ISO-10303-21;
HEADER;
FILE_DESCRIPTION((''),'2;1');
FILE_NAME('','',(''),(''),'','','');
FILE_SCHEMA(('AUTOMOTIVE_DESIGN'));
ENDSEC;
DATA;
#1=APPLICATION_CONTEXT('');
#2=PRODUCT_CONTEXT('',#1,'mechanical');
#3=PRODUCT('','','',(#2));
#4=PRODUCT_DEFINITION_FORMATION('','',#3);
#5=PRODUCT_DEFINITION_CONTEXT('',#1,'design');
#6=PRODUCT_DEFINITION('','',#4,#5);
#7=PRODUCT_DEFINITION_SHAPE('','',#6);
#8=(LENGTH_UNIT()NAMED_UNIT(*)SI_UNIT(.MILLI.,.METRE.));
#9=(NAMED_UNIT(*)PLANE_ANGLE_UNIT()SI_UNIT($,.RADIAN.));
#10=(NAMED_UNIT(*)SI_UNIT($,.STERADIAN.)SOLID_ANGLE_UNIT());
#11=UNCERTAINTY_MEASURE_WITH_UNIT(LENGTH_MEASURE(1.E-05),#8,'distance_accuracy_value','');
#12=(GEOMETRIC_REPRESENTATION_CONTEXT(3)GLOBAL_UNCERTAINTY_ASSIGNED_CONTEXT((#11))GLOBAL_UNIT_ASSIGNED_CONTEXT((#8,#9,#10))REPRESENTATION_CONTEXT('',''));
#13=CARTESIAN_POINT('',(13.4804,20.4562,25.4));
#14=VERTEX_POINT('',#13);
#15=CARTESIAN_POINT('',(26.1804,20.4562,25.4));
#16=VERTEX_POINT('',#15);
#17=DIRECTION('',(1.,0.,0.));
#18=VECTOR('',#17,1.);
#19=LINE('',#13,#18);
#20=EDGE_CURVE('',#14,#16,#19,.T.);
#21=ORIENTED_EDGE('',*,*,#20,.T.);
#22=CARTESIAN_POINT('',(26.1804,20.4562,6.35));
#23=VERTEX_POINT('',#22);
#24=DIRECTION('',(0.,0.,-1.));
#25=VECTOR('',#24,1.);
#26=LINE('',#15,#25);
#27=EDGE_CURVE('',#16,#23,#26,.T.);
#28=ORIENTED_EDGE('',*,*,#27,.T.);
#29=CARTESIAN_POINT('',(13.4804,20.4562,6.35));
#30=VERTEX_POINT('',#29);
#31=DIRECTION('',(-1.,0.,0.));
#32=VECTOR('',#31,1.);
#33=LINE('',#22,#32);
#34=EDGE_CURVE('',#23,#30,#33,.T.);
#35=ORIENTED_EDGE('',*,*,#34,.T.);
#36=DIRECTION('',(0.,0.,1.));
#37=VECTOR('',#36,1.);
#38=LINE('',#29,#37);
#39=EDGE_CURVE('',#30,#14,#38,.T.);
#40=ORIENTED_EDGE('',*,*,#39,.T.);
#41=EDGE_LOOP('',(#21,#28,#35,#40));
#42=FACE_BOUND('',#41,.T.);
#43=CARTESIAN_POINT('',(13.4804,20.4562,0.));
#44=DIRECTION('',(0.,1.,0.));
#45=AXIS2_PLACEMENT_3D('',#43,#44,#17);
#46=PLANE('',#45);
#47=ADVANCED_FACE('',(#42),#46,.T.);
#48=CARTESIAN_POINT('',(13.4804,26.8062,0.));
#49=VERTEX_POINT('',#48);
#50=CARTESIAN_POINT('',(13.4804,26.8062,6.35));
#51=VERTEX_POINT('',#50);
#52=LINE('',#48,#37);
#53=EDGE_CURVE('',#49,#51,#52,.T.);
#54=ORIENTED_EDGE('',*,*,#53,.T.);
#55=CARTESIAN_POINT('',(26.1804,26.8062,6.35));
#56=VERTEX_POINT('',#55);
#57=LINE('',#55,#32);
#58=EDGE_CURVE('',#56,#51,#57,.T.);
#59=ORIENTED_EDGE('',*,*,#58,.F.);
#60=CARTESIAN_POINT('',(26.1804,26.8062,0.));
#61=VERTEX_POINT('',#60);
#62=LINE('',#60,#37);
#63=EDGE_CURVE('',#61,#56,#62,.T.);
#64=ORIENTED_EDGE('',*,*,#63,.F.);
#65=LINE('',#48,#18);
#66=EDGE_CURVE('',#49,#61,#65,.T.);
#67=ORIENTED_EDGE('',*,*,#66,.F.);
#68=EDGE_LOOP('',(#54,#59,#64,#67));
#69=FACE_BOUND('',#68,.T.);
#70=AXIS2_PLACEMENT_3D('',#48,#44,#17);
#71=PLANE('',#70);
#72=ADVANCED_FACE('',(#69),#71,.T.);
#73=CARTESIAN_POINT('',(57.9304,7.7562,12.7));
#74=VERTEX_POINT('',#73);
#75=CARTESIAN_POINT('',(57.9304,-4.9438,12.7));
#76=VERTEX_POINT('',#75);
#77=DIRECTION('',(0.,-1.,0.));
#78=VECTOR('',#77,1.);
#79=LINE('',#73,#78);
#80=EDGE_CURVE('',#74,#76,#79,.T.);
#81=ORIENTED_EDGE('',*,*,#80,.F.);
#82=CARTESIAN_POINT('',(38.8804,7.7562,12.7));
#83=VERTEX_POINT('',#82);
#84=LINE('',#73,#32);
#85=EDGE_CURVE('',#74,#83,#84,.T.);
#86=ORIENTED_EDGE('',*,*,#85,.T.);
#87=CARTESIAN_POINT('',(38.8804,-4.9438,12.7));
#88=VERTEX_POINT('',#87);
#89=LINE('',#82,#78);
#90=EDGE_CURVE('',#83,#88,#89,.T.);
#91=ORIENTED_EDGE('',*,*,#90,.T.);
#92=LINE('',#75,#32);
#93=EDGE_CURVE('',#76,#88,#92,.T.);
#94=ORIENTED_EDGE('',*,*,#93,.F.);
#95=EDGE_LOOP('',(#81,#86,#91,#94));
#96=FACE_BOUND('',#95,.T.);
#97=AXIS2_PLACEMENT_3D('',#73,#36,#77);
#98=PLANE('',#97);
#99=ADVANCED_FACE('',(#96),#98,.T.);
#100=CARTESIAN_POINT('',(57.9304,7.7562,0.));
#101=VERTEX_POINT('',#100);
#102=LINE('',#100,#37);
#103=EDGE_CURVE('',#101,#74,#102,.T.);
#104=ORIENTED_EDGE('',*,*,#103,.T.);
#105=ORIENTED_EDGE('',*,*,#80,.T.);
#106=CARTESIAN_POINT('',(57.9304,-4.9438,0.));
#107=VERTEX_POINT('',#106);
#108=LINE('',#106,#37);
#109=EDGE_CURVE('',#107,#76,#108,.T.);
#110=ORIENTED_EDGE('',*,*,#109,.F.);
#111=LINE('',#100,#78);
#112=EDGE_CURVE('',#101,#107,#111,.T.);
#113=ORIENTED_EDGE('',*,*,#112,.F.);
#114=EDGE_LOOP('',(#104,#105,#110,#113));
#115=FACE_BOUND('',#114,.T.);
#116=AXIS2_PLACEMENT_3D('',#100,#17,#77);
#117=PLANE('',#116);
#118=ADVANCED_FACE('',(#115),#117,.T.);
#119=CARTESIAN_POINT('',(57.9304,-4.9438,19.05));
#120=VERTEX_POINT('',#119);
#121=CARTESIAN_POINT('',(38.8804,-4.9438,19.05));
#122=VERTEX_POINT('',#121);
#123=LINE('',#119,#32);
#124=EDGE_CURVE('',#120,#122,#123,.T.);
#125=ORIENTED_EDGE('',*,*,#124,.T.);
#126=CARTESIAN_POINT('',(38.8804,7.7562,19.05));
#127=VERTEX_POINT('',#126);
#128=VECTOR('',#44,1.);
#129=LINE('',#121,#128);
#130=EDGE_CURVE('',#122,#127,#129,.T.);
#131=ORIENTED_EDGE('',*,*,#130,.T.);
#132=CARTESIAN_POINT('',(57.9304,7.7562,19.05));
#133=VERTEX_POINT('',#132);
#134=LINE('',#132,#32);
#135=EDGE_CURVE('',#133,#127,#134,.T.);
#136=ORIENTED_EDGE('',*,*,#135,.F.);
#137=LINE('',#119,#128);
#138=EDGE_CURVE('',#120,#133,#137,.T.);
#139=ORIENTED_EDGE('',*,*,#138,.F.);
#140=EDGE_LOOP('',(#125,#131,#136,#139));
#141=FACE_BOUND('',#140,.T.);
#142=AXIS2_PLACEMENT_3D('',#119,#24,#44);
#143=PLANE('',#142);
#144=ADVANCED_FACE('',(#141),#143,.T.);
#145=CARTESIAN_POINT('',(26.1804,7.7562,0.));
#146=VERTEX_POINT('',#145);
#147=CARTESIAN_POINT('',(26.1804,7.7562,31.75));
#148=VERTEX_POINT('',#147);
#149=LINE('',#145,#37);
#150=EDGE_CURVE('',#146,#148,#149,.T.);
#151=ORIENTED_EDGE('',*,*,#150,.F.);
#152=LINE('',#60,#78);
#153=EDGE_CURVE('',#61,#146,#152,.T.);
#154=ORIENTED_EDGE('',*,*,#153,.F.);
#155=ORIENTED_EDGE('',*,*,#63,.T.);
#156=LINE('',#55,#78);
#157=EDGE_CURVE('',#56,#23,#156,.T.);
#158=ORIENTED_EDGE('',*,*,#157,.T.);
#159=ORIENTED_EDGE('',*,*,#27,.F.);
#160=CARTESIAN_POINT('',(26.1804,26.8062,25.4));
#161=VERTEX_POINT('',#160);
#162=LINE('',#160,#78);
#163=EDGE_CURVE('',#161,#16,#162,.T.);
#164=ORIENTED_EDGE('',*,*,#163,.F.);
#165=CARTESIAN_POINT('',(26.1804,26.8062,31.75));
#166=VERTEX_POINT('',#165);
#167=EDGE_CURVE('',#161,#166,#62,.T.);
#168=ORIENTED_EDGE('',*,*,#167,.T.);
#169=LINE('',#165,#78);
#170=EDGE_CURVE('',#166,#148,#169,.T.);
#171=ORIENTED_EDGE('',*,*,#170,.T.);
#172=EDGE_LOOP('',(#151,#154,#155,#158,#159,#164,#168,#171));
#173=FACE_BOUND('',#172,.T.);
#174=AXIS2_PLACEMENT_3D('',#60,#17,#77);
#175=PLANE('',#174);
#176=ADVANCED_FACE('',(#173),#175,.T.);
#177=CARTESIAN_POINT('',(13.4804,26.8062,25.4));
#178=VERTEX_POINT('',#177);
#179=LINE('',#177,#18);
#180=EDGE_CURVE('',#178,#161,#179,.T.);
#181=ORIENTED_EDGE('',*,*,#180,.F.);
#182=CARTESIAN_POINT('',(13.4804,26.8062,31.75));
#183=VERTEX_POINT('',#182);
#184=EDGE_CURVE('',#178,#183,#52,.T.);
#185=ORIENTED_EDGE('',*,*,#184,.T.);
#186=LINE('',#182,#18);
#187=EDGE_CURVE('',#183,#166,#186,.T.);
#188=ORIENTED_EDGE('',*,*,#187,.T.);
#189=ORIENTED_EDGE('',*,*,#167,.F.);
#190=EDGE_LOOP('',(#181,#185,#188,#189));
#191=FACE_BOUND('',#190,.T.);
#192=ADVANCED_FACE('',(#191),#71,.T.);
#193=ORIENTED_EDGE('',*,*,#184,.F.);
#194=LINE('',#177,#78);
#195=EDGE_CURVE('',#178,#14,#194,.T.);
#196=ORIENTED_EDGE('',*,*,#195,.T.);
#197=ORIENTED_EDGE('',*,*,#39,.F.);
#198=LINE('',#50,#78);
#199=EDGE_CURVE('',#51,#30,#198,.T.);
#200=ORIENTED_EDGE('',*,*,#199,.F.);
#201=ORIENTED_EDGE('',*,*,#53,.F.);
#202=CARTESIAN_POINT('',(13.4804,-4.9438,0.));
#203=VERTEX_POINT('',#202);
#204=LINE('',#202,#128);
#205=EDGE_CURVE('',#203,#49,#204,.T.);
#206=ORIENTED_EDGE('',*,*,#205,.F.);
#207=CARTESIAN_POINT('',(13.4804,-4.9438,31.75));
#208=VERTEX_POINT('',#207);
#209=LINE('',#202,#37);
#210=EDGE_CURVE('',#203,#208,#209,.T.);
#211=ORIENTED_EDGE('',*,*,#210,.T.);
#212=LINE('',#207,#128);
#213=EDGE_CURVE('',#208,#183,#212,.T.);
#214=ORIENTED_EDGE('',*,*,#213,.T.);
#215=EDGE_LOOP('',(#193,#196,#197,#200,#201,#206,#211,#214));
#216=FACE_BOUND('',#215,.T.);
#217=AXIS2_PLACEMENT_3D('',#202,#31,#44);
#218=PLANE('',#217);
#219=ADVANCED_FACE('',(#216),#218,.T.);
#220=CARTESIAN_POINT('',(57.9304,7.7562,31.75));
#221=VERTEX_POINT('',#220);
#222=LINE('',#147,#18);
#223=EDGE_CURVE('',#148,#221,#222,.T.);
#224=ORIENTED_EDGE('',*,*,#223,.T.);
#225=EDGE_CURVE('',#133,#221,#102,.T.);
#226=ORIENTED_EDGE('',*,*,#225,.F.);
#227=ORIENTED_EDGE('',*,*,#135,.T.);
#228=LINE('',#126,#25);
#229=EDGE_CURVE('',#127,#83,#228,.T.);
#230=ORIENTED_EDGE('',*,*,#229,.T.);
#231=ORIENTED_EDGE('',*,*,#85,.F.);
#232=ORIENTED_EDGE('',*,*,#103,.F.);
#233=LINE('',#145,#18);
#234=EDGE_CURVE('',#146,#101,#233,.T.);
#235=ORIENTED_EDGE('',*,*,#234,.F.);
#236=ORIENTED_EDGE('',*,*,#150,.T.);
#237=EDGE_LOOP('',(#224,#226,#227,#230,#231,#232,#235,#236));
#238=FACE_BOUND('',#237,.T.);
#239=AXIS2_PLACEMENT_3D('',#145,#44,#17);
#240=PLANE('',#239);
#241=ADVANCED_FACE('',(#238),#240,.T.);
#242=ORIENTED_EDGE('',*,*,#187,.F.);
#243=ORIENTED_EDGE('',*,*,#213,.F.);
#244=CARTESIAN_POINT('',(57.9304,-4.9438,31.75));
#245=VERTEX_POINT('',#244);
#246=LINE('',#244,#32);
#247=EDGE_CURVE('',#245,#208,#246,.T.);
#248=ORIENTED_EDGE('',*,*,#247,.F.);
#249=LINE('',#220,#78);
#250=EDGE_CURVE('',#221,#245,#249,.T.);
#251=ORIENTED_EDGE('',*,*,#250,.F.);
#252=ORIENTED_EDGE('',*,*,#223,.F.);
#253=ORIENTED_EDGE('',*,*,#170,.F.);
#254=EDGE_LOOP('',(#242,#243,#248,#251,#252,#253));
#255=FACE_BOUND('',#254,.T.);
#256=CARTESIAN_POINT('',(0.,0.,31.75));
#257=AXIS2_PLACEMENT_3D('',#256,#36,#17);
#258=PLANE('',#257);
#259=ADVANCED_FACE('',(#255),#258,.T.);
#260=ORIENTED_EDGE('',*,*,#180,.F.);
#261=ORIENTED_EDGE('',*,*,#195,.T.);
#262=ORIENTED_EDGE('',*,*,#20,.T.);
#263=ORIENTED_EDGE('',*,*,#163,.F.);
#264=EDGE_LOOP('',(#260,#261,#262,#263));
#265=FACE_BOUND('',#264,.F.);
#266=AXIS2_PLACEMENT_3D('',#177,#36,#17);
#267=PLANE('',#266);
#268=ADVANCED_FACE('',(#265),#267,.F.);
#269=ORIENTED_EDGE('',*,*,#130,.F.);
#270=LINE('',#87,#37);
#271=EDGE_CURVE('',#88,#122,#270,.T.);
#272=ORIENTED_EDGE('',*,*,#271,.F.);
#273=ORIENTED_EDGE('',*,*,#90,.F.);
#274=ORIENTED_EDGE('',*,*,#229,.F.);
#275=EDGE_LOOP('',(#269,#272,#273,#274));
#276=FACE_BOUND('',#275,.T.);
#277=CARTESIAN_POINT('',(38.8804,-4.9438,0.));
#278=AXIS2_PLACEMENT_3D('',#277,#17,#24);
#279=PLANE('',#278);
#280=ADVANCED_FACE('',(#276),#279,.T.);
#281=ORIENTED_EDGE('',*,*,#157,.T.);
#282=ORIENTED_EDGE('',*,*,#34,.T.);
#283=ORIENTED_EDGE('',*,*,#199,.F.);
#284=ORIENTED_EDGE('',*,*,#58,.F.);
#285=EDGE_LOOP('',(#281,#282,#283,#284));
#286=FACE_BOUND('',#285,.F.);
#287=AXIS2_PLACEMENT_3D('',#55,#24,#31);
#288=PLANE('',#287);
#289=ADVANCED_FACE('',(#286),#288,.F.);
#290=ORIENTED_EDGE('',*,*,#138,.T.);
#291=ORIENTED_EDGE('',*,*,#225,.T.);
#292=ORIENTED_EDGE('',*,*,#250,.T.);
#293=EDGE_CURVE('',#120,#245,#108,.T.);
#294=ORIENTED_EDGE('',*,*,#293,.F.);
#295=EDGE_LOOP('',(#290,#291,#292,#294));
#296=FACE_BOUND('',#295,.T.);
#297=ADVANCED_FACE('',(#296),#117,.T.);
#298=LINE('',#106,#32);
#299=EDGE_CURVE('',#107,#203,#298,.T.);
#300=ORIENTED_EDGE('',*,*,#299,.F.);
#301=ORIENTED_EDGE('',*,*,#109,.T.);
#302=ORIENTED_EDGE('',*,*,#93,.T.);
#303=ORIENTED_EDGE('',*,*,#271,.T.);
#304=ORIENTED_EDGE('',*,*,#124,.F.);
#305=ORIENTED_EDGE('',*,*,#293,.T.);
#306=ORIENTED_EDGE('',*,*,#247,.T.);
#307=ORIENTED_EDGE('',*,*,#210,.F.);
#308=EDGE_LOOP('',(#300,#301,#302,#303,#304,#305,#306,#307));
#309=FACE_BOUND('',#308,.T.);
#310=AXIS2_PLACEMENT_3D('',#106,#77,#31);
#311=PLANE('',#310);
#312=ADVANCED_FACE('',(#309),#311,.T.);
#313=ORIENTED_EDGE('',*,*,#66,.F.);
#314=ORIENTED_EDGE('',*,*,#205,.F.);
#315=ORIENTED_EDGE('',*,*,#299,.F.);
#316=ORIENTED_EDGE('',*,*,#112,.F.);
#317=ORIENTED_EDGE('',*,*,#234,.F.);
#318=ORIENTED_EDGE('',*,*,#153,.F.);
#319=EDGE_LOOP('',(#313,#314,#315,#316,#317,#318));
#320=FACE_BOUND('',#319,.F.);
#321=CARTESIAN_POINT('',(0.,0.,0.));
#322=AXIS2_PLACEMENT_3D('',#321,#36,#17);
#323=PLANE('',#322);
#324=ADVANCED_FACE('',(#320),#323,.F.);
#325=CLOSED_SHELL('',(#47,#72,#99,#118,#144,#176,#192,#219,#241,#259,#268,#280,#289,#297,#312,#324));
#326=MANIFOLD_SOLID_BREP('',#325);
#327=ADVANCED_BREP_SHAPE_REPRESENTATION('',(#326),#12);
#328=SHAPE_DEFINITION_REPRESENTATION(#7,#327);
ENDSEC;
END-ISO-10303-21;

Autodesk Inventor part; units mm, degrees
ref_plane "YZ Plane" through (0, 0, 0) normal (1, 0, 0) x (0, 1, 0)
ref_plane "XZ Plane" through (0, 0, 0) normal (0, 1, 0) x (-1, 0, 0)
ref_plane "XY Plane" through (0, 0, 0) normal (0, 0, 1) x (1, 0, 0)
sketch "Sketch1" plane through (0, 0, 0) normal (0, 0, 1) x (1, 0, 0)
  line L0 (13.4804, 26.8062) -> (26.1804, 26.8062)
  line L1 (57.9304, 7.7562) -> (57.9304, -4.9438)
  line L2 (57.9304, -4.9438) -> (13.4804, -4.9438)
  line L3 (13.4804, -4.9438) -> (13.4804, 26.8062)
  line L4 (26.1804, 26.8062) -> (26.1804, 7.7562)
  line L5 (26.1804, 7.7562) -> (57.9304, 7.7562)
  point P0 (0, 0)
  dimension "d0" = 44.45
  dimension "d3" = 19.05
extrude "Extrusion1" add sketch "Sketch1" along normal blind 31.75
sketch "Sketch3" plane through (57.9304, -4.9438, 0) normal (1, 0, 0) x (0, 0, -1)
  line L0 (-19.05, 12.7) -> (-12.7, 12.7)
  line L1 (-12.7, 12.7) -> (-12.7, 0)
  line L2 (-12.7, 0) -> (-19.05, 0)
  line L3 (-19.05, 0) -> (-19.05, 12.7)
  point P0 (0, 4.9438)
extrude "Extrusion2" cut sketch "Sketch3" against normal blind 19.05
sketch "Sketch4" plane through (13.4804, 26.8062, 0) normal (0, 1, 0) x (1, 0, 0)
  line L0 (0, -25.4) -> (12.7, -25.4)
  line L1 (12.7, -25.4) -> (12.7, -6.35)
  line L2 (12.7, -6.35) -> (0, -6.35)
  line L3 (0, -6.35) -> (0, -25.4)
  point P0 (-13.4804, 0)
  dimension "d13" = 12.7
  dimension "d14" = 19.05
extrude "Extrusion3" cut sketch "Sketch4" against normal blind 6.35
properties part number "7.1 Part 1"
